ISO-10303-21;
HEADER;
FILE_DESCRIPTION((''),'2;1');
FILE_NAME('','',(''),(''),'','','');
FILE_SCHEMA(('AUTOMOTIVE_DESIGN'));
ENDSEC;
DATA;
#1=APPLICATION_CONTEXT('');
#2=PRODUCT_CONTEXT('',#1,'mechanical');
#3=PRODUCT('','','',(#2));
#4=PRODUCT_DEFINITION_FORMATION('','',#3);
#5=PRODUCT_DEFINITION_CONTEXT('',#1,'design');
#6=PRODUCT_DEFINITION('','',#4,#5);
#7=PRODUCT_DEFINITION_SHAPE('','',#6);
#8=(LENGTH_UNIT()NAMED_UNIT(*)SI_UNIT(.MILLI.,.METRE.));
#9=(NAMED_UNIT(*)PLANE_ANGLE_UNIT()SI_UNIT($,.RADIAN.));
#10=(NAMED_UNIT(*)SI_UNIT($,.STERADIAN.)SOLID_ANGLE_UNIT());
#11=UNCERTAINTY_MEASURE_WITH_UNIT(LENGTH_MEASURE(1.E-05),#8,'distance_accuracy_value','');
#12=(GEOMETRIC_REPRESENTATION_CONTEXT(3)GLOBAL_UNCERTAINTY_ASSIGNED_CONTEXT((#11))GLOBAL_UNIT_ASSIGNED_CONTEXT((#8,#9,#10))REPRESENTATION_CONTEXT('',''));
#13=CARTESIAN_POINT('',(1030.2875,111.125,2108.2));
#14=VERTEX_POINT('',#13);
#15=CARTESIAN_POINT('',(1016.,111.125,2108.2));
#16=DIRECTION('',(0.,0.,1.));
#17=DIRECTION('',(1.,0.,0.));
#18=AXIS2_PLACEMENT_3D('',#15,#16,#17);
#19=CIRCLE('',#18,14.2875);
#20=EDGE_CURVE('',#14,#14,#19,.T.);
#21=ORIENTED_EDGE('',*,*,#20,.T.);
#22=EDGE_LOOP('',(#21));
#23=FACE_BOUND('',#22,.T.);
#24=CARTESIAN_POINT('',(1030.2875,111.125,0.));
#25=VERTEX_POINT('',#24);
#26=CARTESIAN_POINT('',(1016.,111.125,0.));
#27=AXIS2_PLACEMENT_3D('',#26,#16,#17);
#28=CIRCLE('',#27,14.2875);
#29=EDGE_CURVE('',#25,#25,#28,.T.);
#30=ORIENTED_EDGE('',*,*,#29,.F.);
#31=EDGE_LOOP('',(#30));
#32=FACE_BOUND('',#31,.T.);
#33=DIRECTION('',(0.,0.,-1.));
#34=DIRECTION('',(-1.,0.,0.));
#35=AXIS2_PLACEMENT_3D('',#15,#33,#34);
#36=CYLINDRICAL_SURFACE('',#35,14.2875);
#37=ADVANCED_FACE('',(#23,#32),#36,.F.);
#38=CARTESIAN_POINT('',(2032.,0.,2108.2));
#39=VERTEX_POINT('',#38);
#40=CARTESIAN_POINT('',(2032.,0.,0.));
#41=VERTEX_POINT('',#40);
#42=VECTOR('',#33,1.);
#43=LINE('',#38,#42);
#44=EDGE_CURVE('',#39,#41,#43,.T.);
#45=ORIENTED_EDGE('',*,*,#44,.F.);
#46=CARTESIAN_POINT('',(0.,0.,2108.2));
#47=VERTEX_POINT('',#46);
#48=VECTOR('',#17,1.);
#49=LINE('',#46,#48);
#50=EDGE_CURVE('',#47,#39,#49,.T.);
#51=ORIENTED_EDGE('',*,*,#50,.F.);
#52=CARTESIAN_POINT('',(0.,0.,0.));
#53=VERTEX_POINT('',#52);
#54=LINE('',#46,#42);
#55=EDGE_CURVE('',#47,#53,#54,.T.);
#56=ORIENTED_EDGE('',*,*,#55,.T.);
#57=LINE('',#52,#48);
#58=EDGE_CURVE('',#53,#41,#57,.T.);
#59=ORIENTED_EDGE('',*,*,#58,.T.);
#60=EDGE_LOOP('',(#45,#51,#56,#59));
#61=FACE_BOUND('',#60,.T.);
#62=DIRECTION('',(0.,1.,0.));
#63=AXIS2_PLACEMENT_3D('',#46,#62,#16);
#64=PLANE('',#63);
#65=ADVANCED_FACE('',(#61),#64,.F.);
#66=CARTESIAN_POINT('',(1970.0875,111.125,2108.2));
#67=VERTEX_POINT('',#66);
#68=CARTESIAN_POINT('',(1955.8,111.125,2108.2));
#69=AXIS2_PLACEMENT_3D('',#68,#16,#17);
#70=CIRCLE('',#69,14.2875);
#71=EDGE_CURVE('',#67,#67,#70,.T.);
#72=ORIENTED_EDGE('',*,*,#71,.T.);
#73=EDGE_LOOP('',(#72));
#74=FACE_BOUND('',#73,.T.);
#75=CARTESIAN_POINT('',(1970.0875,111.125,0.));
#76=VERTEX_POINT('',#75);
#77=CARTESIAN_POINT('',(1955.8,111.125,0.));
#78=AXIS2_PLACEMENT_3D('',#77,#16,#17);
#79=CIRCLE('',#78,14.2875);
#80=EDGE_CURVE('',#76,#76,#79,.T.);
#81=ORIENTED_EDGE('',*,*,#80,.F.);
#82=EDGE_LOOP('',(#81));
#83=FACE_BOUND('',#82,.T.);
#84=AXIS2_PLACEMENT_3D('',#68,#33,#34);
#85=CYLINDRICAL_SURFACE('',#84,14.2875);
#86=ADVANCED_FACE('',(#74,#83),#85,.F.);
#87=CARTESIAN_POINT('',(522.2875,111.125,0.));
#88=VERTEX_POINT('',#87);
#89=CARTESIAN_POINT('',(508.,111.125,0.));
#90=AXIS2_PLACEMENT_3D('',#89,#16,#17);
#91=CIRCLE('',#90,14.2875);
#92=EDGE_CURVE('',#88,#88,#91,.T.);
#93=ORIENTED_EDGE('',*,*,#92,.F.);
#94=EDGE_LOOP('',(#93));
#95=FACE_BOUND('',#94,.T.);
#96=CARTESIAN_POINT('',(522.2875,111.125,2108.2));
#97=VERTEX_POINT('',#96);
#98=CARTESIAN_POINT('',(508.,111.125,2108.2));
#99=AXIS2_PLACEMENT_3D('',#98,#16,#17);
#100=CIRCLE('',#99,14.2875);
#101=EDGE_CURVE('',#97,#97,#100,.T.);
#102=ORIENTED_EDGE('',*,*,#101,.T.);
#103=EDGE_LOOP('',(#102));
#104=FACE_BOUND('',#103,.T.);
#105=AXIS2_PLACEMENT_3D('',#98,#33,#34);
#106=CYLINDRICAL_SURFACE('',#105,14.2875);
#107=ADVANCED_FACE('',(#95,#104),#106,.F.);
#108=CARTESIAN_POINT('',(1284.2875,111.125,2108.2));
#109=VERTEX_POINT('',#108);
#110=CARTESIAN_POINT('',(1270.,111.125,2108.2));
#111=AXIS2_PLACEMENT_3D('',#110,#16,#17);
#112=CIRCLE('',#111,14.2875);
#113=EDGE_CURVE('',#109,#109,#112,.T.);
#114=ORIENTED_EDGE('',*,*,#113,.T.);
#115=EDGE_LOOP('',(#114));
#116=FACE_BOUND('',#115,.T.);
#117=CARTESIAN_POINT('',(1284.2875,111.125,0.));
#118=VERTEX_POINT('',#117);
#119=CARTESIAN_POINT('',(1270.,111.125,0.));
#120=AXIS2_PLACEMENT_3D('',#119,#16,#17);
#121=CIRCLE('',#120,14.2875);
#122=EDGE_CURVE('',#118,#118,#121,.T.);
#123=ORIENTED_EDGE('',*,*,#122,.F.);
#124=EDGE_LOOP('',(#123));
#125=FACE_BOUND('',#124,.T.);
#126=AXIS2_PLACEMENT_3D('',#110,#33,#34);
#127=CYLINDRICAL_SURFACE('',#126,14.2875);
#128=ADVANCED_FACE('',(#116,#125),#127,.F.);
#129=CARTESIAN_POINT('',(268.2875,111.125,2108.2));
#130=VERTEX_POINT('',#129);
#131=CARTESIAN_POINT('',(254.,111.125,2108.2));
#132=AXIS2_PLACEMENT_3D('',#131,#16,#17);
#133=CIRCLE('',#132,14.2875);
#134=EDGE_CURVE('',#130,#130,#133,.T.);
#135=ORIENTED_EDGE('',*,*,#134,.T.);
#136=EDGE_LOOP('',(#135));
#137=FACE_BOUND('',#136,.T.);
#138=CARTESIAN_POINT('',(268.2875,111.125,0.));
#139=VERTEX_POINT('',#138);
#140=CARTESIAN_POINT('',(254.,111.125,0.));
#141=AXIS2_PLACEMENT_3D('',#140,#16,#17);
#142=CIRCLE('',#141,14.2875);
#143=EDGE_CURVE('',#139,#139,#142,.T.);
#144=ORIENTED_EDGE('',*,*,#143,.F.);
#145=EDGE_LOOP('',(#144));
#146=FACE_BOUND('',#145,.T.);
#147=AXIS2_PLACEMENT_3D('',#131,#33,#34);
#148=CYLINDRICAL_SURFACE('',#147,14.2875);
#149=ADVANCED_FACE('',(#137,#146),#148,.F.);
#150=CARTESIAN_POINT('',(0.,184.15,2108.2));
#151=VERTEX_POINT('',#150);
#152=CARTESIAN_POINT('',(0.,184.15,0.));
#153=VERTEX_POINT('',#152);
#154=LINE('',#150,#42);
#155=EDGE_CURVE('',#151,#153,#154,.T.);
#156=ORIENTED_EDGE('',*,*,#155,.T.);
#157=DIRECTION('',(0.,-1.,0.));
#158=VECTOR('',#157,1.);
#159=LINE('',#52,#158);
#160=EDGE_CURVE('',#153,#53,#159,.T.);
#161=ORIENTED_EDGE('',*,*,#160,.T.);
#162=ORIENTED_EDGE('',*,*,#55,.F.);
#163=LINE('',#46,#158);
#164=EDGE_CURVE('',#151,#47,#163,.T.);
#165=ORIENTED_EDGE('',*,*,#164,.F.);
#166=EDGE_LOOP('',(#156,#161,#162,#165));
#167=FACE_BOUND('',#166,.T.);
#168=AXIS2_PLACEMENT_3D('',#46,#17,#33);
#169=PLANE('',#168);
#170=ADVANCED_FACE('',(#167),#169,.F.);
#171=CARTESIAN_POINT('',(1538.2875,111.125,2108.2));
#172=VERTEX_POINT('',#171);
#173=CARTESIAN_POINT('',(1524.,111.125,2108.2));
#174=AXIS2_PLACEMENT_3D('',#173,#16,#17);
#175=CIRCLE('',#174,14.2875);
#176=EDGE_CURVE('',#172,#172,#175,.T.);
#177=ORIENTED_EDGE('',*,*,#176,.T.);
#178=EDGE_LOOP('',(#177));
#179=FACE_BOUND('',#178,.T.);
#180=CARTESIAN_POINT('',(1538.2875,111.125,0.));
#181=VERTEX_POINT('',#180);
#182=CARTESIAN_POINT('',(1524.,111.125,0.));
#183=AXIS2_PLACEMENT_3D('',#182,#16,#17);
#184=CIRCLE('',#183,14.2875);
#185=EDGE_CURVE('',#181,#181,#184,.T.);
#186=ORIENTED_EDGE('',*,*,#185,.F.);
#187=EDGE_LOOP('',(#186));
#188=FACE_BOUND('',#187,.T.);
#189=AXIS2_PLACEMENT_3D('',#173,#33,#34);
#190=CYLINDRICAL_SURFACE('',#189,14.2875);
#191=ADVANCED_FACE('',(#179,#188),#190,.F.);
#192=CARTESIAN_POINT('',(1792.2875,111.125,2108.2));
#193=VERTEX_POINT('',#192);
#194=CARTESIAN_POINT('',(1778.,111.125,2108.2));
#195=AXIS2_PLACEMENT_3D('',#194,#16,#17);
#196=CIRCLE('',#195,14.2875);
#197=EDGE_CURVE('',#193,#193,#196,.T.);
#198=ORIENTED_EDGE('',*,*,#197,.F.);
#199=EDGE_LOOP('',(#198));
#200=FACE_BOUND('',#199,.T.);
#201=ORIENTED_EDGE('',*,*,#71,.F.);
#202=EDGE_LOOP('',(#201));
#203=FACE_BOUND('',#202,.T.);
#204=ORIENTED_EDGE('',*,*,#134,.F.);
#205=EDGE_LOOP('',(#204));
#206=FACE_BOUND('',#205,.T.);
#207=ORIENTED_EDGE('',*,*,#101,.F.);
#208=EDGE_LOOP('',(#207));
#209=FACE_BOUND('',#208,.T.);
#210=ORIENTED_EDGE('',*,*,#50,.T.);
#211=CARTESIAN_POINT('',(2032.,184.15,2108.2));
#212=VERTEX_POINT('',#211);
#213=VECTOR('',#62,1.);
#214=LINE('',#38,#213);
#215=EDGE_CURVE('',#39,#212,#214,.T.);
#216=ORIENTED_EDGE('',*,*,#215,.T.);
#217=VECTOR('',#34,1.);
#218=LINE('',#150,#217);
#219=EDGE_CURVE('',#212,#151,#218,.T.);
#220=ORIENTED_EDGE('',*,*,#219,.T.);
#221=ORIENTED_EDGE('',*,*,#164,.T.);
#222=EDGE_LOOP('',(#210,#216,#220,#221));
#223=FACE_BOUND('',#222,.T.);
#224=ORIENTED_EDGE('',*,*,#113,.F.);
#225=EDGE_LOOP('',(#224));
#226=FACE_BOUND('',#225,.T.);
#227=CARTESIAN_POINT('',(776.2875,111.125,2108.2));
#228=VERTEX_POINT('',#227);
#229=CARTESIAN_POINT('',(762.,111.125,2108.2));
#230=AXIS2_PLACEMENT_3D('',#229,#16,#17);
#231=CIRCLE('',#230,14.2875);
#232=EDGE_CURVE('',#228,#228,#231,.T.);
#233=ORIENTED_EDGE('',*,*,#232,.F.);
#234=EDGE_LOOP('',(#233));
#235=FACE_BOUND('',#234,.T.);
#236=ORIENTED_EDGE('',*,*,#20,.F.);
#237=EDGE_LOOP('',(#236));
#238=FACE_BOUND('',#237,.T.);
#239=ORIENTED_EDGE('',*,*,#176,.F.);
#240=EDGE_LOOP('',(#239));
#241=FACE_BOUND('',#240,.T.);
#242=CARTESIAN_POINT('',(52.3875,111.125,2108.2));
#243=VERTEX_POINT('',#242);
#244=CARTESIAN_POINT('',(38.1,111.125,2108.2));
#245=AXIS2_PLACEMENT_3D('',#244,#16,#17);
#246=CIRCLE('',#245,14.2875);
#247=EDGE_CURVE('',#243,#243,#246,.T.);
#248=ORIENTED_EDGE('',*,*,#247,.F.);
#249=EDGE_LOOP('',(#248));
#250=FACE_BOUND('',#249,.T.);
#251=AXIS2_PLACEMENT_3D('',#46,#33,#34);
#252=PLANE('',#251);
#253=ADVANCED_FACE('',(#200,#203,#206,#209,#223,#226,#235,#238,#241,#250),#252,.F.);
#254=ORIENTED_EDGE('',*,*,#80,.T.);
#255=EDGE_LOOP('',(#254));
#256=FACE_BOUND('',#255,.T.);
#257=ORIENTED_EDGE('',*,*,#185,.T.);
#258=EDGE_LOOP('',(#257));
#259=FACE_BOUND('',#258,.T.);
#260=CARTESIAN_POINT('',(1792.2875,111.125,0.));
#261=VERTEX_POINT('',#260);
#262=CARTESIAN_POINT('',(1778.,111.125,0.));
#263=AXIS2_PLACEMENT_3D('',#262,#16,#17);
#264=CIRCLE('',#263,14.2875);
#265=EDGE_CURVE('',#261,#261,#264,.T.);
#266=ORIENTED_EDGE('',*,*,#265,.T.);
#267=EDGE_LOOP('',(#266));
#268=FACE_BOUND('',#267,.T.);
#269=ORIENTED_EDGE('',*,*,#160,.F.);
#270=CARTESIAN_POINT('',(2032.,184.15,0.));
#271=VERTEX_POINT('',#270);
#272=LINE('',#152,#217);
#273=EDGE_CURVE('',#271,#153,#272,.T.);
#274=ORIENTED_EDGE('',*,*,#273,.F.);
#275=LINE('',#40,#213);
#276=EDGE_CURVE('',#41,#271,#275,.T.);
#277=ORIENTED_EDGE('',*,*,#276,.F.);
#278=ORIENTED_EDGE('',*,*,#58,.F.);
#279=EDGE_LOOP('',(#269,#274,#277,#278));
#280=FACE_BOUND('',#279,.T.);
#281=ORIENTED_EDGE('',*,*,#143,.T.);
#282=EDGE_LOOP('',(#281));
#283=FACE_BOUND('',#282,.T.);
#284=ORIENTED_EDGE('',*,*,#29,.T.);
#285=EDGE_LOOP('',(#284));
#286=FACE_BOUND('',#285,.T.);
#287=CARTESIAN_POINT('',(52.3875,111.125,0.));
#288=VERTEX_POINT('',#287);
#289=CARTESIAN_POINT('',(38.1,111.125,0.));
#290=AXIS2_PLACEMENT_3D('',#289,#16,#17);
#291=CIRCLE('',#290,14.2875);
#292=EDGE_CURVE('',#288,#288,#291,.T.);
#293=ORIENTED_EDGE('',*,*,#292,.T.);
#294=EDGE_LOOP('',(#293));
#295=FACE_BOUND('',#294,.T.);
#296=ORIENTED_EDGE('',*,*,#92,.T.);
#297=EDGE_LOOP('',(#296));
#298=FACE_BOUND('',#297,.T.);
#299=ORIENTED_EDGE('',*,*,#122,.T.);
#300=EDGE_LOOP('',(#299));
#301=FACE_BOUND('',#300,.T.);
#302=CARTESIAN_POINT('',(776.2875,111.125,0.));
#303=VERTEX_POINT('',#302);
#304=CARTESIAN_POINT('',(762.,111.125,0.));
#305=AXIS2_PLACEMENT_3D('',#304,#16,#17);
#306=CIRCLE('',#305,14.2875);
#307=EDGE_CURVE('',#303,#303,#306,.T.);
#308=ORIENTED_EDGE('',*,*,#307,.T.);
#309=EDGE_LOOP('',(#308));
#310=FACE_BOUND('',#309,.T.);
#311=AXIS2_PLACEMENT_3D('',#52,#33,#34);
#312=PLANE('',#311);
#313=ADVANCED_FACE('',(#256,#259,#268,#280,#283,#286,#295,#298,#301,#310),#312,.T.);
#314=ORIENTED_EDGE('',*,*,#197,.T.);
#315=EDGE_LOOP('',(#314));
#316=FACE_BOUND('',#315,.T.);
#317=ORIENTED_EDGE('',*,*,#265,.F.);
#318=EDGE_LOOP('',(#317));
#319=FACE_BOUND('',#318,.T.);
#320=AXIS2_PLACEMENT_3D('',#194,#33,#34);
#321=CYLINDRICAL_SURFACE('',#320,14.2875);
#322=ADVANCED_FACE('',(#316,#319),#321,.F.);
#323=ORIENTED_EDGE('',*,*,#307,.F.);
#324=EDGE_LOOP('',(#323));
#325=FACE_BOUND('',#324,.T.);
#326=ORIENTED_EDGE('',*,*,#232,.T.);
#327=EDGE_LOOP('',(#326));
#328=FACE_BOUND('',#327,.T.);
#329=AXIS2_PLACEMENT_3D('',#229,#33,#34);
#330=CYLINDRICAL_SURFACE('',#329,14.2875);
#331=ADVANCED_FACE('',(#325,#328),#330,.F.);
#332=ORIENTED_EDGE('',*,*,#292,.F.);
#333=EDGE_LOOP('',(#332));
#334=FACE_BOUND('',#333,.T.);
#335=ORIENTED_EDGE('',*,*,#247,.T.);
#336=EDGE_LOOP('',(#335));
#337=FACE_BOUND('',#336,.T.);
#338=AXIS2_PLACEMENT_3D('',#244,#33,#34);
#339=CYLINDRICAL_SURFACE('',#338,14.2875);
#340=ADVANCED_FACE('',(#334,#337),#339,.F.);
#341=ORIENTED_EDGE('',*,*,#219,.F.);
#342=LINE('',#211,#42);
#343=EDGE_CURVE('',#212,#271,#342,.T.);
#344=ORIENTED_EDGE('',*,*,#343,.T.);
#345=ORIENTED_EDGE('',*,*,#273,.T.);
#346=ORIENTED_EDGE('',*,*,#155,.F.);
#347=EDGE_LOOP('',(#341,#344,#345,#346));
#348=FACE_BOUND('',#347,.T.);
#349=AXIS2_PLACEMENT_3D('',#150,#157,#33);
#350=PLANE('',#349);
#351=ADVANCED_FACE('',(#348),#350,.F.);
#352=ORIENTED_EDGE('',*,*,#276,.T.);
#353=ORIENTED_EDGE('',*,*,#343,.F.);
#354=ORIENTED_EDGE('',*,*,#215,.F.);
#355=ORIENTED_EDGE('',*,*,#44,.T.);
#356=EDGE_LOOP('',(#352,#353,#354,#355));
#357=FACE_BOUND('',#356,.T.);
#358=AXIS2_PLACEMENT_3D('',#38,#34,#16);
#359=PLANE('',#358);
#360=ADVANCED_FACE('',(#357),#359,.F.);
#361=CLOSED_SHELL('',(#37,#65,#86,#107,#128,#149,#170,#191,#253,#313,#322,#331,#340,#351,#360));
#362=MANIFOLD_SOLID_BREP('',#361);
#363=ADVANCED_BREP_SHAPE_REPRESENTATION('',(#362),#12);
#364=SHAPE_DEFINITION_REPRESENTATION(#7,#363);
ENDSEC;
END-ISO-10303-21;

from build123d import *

# Parameters (mm, degrees)
SKETCH1_W           = 2032
SKETCH1_H           = 184.15
BOSS_EXTRUDE1_DEPTH = 2108.2
SKETCH2_R           = 14.2875
CUT_EXTRUDE1_DEPTH  = 2934.844314632


with BuildPart() as part:
    # Sketch1 → Boss-Extrude1 (new body)
    with BuildSketch(Plane.XY):
        with Locations((1016, 92.075)):
            Rectangle(SKETCH1_W, SKETCH1_H)
    extrude(amount=BOSS_EXTRUDE1_DEPTH)

    # Sketch2 → Cut-Extrude1 (cut, through all)
    with BuildSketch(Plane.XY):
        with Locations((38.1, 111.125)):
            Circle(SKETCH2_R)
        with Locations((254, 111.125)):
            Circle(SKETCH2_R)
        with Locations((508, 111.125)):
            Circle(SKETCH2_R)
        with Locations((762, 111.125)):
            Circle(SKETCH2_R)
        with Locations((1016, 111.125)):
            Circle(SKETCH2_R)
        with Locations((1270, 111.125)):
            Circle(SKETCH2_R)
        with Locations((1524, 111.125)):
            Circle(SKETCH2_R)
        with Locations((1778, 111.125)):
            Circle(SKETCH2_R)
        with Locations((1955.8, 111.125)):
            Circle(SKETCH2_R)
    extrude(amount=CUT_EXTRUDE1_DEPTH, mode=Mode.SUBTRACT)


solid = part.part
